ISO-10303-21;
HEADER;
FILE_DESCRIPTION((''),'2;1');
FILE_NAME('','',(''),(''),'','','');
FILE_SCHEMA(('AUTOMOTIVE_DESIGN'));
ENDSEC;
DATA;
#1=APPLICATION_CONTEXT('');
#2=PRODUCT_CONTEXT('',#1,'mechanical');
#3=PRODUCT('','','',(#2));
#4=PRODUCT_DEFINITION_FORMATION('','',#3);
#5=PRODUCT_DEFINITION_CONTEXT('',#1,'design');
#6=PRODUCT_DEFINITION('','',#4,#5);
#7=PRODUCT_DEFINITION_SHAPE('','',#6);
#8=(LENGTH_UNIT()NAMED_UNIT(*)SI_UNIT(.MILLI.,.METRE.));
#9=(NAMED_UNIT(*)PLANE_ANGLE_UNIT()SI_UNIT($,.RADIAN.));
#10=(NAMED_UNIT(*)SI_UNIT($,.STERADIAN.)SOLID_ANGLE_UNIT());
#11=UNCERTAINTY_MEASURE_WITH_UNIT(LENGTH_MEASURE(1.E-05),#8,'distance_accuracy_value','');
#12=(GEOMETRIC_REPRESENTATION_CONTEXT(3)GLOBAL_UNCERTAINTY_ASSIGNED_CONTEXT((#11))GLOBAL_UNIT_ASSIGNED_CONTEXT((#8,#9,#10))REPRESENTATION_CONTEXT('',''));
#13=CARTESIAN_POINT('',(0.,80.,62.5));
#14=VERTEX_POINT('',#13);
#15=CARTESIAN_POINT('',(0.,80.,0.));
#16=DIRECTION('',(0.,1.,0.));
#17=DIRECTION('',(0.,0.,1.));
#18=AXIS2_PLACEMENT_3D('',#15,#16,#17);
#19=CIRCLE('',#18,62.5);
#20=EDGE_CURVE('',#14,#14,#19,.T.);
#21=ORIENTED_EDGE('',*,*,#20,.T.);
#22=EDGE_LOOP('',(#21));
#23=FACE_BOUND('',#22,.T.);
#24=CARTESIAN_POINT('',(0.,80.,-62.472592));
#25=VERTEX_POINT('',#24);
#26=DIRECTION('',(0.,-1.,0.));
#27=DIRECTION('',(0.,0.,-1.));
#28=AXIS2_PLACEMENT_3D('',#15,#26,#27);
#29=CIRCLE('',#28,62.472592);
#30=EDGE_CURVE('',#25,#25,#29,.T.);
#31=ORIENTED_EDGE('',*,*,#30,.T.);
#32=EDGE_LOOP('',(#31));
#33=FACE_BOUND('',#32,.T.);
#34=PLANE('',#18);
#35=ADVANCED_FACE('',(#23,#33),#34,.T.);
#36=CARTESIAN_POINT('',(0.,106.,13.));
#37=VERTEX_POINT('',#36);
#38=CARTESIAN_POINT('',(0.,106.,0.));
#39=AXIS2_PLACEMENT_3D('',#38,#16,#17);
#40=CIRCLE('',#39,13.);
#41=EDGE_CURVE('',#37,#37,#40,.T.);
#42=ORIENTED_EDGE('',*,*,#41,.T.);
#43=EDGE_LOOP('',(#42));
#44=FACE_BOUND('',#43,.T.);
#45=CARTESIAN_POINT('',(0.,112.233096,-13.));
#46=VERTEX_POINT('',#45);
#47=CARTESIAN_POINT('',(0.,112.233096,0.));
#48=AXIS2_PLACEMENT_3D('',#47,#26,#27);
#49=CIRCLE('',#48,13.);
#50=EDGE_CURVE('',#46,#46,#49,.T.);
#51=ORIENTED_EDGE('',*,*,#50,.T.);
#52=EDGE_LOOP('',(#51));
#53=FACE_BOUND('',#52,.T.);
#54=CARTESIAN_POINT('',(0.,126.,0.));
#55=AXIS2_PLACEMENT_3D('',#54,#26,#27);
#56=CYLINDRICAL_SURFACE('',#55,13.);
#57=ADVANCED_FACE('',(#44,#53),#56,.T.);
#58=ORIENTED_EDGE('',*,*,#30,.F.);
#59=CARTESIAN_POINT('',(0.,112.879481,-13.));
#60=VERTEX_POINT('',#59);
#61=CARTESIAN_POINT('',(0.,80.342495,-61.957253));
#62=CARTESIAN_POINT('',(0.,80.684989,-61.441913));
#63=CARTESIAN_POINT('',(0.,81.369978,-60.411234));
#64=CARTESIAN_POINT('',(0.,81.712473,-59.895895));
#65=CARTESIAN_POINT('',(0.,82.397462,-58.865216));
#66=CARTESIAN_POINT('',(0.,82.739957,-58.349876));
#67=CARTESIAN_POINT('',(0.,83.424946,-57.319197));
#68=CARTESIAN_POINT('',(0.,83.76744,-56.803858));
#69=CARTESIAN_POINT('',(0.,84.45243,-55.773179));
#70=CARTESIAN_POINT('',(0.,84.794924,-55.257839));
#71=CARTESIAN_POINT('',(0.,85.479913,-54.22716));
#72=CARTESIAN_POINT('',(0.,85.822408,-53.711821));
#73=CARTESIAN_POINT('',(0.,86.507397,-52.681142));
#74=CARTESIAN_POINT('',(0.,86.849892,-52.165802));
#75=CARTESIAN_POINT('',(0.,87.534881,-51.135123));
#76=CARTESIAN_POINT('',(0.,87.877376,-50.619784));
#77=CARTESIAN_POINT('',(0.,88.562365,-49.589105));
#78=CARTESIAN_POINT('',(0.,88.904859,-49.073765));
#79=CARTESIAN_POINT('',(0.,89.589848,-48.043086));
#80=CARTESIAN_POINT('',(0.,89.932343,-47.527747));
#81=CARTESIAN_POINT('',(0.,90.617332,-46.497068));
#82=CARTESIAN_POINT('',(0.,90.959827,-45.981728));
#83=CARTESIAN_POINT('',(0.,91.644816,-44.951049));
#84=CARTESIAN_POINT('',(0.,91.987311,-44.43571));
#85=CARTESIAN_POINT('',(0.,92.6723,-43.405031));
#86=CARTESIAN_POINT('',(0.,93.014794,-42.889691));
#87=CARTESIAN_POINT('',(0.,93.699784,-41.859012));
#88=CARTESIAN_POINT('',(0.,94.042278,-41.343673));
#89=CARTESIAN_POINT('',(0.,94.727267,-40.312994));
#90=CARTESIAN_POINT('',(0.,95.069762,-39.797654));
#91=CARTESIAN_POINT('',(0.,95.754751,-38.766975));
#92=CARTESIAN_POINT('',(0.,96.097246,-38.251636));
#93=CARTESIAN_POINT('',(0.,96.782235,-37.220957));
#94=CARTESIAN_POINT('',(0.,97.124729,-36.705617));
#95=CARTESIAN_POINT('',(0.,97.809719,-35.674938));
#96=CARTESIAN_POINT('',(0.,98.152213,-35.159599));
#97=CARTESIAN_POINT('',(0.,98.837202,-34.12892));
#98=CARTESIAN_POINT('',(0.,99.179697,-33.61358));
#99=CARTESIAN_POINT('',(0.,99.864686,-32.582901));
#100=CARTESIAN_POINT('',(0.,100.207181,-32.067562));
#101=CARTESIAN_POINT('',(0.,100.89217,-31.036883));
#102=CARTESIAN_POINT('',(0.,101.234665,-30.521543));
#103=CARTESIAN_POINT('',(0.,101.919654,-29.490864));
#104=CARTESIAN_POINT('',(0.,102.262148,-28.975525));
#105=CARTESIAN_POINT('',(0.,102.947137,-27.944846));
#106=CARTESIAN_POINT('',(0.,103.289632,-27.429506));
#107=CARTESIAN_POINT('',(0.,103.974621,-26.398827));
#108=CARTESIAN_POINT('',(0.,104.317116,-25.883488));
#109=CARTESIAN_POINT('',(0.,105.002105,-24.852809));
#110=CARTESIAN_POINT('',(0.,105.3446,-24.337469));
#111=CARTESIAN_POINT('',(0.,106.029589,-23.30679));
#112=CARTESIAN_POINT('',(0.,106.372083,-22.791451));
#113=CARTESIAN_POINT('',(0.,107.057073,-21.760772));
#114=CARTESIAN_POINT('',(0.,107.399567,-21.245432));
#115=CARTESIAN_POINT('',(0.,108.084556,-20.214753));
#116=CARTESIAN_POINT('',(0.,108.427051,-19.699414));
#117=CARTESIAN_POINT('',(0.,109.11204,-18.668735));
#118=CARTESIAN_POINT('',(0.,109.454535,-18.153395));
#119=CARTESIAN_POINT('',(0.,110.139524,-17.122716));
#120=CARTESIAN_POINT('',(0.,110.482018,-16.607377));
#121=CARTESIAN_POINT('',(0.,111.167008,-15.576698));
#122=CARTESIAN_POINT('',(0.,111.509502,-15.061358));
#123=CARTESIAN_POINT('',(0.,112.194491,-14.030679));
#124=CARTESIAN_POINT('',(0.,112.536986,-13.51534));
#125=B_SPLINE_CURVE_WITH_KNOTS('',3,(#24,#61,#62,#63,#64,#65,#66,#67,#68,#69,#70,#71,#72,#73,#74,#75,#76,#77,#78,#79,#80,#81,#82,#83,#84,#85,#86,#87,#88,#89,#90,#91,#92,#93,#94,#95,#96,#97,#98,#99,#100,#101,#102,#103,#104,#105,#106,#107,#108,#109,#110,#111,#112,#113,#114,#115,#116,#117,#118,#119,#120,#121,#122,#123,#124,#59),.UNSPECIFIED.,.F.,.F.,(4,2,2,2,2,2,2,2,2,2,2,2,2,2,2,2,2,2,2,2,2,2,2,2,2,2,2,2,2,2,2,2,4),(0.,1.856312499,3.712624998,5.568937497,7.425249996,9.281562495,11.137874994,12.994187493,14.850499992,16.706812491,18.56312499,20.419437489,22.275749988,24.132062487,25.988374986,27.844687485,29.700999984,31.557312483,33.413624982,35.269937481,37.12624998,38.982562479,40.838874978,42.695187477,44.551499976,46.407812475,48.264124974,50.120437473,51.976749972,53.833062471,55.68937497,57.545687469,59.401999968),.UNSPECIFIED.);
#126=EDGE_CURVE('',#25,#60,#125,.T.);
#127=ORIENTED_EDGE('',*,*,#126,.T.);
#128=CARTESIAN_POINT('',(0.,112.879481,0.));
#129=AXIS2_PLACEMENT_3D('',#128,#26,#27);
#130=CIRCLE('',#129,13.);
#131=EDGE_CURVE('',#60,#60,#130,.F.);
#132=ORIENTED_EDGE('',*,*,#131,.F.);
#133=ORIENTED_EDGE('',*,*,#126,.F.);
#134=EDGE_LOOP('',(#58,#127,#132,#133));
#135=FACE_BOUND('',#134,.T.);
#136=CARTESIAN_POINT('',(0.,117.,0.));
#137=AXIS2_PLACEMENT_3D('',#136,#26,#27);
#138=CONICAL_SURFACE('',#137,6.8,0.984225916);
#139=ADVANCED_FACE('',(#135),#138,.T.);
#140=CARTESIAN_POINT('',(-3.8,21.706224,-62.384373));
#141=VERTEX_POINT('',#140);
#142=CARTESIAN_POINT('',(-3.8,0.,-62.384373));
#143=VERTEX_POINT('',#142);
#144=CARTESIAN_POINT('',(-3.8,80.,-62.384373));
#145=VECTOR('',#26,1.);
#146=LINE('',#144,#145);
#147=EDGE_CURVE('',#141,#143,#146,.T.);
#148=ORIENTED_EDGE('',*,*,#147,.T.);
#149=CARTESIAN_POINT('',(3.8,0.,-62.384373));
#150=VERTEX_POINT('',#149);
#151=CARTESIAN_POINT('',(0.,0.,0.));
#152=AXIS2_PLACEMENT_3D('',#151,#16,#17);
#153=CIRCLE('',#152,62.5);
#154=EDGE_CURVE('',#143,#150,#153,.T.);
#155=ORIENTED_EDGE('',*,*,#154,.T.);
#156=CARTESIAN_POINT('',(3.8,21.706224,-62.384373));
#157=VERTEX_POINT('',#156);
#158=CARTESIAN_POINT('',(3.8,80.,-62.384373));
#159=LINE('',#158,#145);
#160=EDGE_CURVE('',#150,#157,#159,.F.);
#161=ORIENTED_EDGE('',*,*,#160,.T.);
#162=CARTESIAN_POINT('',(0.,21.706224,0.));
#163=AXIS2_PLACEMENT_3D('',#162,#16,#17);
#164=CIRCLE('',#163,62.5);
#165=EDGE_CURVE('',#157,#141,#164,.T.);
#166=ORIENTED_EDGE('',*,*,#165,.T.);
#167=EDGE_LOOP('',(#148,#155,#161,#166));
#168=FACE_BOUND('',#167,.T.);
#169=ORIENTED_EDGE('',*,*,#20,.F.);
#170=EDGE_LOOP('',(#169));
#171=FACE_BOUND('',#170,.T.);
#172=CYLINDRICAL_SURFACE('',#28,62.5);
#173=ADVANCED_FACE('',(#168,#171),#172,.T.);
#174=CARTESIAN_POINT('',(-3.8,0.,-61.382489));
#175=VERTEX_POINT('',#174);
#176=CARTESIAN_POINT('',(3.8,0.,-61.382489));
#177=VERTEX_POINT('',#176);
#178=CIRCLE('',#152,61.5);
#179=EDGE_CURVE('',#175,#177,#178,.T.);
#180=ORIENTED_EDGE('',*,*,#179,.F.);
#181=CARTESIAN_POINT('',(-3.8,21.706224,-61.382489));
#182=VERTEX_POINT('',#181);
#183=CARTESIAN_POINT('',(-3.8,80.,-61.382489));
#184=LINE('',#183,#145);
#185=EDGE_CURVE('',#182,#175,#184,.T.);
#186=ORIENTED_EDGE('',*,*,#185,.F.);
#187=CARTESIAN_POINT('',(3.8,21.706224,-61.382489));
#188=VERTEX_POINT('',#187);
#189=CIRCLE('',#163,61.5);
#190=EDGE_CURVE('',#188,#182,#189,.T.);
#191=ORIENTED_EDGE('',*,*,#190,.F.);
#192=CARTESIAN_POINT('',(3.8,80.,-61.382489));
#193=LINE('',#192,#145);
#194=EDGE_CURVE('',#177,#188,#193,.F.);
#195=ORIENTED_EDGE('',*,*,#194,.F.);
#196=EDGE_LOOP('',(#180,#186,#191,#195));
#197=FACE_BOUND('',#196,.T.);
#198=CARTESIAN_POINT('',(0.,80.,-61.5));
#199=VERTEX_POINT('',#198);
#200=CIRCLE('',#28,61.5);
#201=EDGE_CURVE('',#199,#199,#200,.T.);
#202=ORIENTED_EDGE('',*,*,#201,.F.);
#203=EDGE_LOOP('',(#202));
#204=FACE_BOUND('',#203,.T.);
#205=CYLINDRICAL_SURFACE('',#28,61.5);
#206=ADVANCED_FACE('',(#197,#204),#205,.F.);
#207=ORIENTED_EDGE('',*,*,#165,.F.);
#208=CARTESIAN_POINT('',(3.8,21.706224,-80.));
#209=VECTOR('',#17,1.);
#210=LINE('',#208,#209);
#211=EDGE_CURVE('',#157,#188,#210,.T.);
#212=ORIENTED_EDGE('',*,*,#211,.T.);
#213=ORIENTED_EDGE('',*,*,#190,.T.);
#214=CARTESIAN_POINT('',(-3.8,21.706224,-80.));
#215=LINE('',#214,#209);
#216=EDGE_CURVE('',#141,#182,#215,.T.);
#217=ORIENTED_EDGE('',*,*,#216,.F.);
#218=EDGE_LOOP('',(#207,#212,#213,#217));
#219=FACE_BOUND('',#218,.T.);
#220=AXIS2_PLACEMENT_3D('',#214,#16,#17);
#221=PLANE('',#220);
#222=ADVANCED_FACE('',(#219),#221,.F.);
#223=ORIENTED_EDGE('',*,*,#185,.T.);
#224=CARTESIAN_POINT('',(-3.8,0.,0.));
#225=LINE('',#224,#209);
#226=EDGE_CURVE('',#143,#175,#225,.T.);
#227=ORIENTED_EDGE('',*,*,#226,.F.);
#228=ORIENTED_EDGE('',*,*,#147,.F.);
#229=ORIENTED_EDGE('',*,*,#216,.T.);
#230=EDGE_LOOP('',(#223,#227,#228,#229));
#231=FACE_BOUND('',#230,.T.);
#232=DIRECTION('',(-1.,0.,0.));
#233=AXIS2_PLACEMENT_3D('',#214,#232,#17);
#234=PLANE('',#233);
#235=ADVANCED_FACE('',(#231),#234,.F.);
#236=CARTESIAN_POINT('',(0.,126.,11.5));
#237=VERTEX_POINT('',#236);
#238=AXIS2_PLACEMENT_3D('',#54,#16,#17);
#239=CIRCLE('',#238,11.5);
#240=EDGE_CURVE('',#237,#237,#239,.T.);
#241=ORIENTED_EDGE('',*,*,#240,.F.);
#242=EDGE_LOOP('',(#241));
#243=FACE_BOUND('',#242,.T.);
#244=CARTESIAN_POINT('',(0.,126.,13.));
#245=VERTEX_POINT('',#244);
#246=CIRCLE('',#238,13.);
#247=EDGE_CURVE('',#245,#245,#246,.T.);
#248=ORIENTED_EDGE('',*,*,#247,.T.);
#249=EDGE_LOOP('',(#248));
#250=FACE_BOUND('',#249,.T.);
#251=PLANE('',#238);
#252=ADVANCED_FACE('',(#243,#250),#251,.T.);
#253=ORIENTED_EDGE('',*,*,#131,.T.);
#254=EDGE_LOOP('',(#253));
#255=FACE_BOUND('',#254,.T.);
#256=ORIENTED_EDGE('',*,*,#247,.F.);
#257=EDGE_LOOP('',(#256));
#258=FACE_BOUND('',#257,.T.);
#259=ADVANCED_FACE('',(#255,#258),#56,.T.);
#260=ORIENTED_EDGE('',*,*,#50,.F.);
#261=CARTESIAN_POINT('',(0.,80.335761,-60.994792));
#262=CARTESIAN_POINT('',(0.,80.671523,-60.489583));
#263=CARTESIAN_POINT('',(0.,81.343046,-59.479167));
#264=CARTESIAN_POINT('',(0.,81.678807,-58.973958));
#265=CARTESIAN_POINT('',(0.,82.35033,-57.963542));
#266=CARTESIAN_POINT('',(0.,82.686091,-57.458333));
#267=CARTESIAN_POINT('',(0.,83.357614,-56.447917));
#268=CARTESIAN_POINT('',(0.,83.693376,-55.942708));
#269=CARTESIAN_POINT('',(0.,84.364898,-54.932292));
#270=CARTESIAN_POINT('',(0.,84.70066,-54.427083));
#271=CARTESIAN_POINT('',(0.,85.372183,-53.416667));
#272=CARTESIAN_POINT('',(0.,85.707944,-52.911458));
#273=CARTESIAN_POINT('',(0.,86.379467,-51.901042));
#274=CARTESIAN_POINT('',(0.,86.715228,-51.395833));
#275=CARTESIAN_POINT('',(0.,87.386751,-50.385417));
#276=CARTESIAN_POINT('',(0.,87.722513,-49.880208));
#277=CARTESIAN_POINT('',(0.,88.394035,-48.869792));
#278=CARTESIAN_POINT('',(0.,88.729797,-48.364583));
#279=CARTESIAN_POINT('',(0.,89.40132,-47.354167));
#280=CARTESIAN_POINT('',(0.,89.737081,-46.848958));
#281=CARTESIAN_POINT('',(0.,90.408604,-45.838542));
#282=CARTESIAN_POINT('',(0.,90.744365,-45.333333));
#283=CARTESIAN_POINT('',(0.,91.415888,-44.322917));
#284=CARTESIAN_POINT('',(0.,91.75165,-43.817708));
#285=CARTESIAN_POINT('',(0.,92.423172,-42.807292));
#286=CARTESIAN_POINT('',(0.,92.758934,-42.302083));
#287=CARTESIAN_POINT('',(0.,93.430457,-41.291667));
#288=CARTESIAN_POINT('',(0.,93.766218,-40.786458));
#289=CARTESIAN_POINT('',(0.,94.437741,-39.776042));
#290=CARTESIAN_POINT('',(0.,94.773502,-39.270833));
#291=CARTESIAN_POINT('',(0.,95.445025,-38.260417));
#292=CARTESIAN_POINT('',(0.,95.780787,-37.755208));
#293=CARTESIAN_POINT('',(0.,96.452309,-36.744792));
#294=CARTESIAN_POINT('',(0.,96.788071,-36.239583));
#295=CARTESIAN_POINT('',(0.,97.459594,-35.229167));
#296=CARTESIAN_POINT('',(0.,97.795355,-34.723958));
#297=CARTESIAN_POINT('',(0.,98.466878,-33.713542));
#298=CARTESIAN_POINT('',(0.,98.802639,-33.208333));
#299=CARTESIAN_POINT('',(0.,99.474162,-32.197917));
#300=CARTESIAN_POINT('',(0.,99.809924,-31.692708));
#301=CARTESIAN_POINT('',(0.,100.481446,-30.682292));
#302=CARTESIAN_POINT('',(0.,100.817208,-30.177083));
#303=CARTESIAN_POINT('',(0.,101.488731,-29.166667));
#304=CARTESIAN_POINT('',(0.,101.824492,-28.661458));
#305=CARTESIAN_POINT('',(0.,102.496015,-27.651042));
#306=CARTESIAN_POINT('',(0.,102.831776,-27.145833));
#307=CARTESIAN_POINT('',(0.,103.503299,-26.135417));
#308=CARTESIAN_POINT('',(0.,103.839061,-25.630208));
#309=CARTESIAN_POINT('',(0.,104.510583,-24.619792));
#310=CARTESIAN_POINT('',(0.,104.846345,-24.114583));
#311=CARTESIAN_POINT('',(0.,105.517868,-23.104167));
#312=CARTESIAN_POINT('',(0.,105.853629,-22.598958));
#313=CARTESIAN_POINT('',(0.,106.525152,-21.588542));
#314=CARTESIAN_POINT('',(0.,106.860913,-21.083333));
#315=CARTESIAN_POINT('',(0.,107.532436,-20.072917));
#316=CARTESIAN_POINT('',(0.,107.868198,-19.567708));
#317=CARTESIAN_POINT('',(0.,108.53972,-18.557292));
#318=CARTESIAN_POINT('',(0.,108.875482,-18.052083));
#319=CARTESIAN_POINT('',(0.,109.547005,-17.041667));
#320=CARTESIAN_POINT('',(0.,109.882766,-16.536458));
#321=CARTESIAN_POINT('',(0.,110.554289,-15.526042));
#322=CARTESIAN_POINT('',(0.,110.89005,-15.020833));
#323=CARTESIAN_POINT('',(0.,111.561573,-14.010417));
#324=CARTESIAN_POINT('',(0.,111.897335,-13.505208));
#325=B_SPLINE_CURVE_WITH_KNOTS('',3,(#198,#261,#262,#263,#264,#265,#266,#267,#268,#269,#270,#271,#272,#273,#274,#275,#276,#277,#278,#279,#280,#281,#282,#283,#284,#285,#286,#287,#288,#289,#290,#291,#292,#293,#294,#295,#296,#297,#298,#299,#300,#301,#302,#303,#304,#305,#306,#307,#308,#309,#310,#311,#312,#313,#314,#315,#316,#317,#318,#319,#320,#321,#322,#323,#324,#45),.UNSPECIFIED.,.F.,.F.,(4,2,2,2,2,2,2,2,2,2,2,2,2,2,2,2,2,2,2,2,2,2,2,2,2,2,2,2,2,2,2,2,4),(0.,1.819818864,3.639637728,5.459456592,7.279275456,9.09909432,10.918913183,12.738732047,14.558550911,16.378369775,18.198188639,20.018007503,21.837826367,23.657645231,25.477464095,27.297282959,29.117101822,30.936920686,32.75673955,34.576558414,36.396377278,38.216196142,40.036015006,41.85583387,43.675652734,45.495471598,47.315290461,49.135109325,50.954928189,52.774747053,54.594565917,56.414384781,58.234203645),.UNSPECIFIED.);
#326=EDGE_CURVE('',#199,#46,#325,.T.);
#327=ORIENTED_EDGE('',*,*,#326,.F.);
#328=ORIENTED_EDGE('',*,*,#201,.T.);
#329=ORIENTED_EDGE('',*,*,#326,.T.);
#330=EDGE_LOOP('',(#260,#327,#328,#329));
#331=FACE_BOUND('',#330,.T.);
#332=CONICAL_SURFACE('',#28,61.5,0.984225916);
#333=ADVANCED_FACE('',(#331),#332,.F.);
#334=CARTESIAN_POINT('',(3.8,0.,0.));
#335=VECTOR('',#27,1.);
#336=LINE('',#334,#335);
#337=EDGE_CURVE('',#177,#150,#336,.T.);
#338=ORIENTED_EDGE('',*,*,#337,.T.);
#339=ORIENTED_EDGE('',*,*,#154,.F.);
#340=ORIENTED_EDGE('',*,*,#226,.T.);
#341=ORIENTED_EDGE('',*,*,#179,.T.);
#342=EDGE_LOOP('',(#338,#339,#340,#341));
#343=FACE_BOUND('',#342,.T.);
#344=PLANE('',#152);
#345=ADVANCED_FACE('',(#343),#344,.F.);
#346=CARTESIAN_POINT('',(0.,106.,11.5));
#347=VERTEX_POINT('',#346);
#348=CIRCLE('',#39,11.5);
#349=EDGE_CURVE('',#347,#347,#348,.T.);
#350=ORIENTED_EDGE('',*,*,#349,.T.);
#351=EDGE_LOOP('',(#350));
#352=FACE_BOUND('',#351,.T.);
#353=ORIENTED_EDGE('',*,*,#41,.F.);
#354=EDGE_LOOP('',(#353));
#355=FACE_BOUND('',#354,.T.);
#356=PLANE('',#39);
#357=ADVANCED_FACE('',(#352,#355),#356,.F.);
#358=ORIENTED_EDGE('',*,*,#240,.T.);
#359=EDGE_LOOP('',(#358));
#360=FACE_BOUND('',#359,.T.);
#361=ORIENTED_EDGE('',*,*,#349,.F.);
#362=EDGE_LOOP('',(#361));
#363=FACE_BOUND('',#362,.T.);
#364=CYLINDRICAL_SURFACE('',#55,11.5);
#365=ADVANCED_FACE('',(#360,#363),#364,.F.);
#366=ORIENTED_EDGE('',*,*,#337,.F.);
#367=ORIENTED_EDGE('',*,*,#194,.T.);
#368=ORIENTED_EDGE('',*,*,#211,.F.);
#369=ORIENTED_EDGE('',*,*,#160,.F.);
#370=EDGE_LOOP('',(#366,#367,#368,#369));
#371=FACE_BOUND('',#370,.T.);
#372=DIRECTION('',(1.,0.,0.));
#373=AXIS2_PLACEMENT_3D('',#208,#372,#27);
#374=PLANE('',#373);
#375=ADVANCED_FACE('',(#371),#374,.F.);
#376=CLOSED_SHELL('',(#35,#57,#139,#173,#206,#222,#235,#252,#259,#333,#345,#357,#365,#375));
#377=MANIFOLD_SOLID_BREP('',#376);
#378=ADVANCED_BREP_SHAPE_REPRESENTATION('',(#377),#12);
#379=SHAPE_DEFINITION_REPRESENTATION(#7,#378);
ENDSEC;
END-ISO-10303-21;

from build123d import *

# Parameters (mm, degrees)
SKETCH1_R           = 62.5
SKETCH1_R_2         = 61.5
BOSS_EXTRUDE1_DEPTH = 80
SKETCH3_W           = 7.6
SKETCH3_H           = 23.660429452
CUT_EXTRUDE1_DEPTH  = 80
SKETCH5_R           = 12.3
CUT_EXTRUDE3_DEPTH  = 229
BOSS_EXTRUDE3_START = 106
SKETCH6_R           = 13
SKETCH6_R_2         = 11.5
BOSS_EXTRUDE3_DEPTH = 20


with BuildPart() as part:
    # Sketch1 → Boss-Extrude1 (new body)
    with BuildSketch(Plane(origin=(0, 0, 0), x_dir=(1, 0, 0), z_dir=(0, 1, 0))):
        with Locations(Location((0, 0, 0), (0, 0, 270))):
            Circle(SKETCH1_R)
        with Locations(Location((0, 0, 0), (0, 0, 270))):
            Circle(SKETCH1_R_2, mode=Mode.SUBTRACT)
    extrude(amount=BOSS_EXTRUDE1_DEPTH)

    # Sketch2 → Revolve1 (revolve)
    with BuildSketch(Plane.XY, mode=Mode.PRIVATE) as revolve1_sk:
        Polygon((-62.472592019, 80), (-62.472592019, 79.276884175), (-61.5, 79.276884175), (-61.5, 80), (-4.8, 117.682815259), (-4.8, 129.995512562), (-8, 129.995512562), (-8, 127), (-6.8, 127), (-6.8, 117), align=None)
    revolve(revolve1_sk.sketch.rotate(Axis((0, 80, 0), (0, 1, 0)), 270), axis=Axis((0, 80, 0), (0, 1, 0)))

    # Sketch3 → Cut-Extrude1 (cut)
    with BuildSketch(Plane.XY):
        with Locations((0, 9.876009184)):
            Rectangle(SKETCH3_W, SKETCH3_H)
    extrude(amount=-CUT_EXTRUDE1_DEPTH, mode=Mode.SUBTRACT)

    # Sketch5 → Cut-Extrude3 (cut)
    with BuildSketch(Plane(origin=(0, 0, 0), x_dir=(1, 0, 0), z_dir=(0, 1, 0))):
        with Locations(Location((0, 0, 0), (0, 0, 90))):
            Circle(SKETCH5_R)
    extrude(amount=CUT_EXTRUDE3_DEPTH, mode=Mode.SUBTRACT)

    # Sketch6 → Boss-Extrude3 (add)
    with BuildSketch(Plane(origin=(0, 0, 0), x_dir=(1, 0, 0), z_dir=(0, 1, 0)).offset(BOSS_EXTRUDE3_START)):
        with Locations(Location((0, 0, 0), (0, 0, 90))):
            Circle(SKETCH6_R)
        with Locations(Location((0, 0, 0), (0, 0, 270))):
            Circle(SKETCH6_R_2, mode=Mode.SUBTRACT)
    extrude(amount=BOSS_EXTRUDE3_DEPTH)


solid = part.part
